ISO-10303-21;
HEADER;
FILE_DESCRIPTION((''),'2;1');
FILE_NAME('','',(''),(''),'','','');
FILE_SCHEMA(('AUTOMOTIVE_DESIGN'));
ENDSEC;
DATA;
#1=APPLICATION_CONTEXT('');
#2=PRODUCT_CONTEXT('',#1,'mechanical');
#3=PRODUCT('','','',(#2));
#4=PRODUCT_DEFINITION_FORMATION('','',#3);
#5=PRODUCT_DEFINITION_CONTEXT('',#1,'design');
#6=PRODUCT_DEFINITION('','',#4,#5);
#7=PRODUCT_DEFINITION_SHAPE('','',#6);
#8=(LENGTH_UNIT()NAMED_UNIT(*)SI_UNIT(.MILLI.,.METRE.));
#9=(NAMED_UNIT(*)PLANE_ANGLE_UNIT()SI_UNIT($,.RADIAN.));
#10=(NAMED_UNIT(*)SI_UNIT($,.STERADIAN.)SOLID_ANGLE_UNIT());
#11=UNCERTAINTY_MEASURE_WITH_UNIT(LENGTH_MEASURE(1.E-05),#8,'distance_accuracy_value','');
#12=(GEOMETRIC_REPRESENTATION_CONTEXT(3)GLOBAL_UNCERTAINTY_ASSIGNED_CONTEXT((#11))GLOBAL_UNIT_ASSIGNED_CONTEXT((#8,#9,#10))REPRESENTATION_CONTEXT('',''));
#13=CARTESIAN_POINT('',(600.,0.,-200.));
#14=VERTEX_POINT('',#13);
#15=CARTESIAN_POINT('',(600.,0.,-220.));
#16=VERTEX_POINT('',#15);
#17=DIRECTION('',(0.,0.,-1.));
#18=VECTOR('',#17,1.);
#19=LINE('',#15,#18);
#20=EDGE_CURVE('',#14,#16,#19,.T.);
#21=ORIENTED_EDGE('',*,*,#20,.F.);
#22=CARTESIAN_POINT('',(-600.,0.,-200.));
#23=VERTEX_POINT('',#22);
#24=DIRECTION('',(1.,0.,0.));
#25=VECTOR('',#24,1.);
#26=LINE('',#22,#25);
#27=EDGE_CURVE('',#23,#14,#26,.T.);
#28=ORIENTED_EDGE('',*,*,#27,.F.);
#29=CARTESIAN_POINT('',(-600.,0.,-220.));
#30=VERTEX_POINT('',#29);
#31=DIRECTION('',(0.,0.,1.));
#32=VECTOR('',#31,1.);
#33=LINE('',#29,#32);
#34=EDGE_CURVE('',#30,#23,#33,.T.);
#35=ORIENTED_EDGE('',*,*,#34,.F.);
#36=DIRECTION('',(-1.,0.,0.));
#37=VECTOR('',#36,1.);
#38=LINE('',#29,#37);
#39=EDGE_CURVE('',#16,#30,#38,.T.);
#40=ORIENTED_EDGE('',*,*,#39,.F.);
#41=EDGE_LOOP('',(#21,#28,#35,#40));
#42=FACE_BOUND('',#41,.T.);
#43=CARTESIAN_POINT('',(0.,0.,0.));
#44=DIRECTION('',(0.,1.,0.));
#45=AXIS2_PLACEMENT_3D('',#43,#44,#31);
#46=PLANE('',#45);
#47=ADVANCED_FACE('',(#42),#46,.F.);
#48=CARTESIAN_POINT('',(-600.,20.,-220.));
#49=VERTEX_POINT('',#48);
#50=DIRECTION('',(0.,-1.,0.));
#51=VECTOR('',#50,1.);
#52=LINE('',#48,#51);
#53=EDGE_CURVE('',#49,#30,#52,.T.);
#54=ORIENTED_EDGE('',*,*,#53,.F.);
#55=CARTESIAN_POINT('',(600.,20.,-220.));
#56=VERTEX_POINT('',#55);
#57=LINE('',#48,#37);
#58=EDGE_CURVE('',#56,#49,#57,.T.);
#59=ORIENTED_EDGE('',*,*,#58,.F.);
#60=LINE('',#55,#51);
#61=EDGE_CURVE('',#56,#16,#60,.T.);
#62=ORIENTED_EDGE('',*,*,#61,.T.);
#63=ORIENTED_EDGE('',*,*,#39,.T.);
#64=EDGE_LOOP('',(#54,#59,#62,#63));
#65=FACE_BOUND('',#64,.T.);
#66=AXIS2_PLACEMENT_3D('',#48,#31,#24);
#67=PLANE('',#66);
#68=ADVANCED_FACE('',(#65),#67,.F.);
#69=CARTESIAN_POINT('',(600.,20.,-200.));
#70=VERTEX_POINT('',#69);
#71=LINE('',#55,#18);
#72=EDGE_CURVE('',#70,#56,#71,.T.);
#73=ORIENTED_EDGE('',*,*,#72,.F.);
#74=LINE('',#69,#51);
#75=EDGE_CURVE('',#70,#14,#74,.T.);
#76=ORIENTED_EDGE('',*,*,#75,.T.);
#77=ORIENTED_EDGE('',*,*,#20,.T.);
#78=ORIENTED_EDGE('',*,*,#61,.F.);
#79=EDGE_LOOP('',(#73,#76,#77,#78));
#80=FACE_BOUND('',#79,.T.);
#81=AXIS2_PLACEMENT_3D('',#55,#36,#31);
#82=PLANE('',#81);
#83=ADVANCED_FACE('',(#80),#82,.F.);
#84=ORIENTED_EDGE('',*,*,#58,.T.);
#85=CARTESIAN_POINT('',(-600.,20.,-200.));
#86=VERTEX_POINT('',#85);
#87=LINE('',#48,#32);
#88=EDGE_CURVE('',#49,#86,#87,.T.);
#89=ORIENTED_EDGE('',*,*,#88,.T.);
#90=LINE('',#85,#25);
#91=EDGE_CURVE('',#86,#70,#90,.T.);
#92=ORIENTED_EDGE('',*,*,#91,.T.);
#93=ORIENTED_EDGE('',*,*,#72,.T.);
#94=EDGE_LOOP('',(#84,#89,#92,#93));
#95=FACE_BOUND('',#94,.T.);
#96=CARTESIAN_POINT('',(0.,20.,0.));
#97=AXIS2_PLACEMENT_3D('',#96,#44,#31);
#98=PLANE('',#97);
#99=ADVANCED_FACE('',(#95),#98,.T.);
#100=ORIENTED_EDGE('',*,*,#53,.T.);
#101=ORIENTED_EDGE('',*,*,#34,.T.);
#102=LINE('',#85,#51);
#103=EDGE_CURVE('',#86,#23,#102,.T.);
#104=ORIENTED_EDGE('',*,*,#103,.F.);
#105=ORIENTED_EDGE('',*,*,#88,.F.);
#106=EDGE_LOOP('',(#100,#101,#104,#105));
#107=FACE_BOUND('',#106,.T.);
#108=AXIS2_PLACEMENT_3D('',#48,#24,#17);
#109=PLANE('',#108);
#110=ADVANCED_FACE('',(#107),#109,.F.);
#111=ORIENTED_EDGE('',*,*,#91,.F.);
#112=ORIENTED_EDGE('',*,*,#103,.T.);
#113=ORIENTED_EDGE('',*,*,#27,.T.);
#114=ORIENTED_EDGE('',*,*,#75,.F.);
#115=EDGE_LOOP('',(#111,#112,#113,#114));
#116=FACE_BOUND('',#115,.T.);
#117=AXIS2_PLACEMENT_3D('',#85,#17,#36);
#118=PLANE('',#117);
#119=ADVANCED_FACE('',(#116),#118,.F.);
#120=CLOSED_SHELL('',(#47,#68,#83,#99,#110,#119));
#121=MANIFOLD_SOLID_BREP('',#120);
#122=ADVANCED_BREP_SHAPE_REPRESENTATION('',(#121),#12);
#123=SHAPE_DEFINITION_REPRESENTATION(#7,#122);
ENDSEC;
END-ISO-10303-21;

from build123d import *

# Parameters (mm, degrees)
SKETCH_1_W      = 1200
SKETCH_1_H      = 20
EXTRUDE_1_DEPTH = 20


with BuildPart() as part:
    # 草图1 → 凸台-拉伸1 (new body)
    with BuildSketch(Plane(origin=(0, 0, 0), x_dir=(1, 0, 0), z_dir=(0, 1, 0))):
        with Locations((0, 210)):
            Rectangle(SKETCH_1_W, SKETCH_1_H)
    extrude(amount=EXTRUDE_1_DEPTH)


solid = part.part
